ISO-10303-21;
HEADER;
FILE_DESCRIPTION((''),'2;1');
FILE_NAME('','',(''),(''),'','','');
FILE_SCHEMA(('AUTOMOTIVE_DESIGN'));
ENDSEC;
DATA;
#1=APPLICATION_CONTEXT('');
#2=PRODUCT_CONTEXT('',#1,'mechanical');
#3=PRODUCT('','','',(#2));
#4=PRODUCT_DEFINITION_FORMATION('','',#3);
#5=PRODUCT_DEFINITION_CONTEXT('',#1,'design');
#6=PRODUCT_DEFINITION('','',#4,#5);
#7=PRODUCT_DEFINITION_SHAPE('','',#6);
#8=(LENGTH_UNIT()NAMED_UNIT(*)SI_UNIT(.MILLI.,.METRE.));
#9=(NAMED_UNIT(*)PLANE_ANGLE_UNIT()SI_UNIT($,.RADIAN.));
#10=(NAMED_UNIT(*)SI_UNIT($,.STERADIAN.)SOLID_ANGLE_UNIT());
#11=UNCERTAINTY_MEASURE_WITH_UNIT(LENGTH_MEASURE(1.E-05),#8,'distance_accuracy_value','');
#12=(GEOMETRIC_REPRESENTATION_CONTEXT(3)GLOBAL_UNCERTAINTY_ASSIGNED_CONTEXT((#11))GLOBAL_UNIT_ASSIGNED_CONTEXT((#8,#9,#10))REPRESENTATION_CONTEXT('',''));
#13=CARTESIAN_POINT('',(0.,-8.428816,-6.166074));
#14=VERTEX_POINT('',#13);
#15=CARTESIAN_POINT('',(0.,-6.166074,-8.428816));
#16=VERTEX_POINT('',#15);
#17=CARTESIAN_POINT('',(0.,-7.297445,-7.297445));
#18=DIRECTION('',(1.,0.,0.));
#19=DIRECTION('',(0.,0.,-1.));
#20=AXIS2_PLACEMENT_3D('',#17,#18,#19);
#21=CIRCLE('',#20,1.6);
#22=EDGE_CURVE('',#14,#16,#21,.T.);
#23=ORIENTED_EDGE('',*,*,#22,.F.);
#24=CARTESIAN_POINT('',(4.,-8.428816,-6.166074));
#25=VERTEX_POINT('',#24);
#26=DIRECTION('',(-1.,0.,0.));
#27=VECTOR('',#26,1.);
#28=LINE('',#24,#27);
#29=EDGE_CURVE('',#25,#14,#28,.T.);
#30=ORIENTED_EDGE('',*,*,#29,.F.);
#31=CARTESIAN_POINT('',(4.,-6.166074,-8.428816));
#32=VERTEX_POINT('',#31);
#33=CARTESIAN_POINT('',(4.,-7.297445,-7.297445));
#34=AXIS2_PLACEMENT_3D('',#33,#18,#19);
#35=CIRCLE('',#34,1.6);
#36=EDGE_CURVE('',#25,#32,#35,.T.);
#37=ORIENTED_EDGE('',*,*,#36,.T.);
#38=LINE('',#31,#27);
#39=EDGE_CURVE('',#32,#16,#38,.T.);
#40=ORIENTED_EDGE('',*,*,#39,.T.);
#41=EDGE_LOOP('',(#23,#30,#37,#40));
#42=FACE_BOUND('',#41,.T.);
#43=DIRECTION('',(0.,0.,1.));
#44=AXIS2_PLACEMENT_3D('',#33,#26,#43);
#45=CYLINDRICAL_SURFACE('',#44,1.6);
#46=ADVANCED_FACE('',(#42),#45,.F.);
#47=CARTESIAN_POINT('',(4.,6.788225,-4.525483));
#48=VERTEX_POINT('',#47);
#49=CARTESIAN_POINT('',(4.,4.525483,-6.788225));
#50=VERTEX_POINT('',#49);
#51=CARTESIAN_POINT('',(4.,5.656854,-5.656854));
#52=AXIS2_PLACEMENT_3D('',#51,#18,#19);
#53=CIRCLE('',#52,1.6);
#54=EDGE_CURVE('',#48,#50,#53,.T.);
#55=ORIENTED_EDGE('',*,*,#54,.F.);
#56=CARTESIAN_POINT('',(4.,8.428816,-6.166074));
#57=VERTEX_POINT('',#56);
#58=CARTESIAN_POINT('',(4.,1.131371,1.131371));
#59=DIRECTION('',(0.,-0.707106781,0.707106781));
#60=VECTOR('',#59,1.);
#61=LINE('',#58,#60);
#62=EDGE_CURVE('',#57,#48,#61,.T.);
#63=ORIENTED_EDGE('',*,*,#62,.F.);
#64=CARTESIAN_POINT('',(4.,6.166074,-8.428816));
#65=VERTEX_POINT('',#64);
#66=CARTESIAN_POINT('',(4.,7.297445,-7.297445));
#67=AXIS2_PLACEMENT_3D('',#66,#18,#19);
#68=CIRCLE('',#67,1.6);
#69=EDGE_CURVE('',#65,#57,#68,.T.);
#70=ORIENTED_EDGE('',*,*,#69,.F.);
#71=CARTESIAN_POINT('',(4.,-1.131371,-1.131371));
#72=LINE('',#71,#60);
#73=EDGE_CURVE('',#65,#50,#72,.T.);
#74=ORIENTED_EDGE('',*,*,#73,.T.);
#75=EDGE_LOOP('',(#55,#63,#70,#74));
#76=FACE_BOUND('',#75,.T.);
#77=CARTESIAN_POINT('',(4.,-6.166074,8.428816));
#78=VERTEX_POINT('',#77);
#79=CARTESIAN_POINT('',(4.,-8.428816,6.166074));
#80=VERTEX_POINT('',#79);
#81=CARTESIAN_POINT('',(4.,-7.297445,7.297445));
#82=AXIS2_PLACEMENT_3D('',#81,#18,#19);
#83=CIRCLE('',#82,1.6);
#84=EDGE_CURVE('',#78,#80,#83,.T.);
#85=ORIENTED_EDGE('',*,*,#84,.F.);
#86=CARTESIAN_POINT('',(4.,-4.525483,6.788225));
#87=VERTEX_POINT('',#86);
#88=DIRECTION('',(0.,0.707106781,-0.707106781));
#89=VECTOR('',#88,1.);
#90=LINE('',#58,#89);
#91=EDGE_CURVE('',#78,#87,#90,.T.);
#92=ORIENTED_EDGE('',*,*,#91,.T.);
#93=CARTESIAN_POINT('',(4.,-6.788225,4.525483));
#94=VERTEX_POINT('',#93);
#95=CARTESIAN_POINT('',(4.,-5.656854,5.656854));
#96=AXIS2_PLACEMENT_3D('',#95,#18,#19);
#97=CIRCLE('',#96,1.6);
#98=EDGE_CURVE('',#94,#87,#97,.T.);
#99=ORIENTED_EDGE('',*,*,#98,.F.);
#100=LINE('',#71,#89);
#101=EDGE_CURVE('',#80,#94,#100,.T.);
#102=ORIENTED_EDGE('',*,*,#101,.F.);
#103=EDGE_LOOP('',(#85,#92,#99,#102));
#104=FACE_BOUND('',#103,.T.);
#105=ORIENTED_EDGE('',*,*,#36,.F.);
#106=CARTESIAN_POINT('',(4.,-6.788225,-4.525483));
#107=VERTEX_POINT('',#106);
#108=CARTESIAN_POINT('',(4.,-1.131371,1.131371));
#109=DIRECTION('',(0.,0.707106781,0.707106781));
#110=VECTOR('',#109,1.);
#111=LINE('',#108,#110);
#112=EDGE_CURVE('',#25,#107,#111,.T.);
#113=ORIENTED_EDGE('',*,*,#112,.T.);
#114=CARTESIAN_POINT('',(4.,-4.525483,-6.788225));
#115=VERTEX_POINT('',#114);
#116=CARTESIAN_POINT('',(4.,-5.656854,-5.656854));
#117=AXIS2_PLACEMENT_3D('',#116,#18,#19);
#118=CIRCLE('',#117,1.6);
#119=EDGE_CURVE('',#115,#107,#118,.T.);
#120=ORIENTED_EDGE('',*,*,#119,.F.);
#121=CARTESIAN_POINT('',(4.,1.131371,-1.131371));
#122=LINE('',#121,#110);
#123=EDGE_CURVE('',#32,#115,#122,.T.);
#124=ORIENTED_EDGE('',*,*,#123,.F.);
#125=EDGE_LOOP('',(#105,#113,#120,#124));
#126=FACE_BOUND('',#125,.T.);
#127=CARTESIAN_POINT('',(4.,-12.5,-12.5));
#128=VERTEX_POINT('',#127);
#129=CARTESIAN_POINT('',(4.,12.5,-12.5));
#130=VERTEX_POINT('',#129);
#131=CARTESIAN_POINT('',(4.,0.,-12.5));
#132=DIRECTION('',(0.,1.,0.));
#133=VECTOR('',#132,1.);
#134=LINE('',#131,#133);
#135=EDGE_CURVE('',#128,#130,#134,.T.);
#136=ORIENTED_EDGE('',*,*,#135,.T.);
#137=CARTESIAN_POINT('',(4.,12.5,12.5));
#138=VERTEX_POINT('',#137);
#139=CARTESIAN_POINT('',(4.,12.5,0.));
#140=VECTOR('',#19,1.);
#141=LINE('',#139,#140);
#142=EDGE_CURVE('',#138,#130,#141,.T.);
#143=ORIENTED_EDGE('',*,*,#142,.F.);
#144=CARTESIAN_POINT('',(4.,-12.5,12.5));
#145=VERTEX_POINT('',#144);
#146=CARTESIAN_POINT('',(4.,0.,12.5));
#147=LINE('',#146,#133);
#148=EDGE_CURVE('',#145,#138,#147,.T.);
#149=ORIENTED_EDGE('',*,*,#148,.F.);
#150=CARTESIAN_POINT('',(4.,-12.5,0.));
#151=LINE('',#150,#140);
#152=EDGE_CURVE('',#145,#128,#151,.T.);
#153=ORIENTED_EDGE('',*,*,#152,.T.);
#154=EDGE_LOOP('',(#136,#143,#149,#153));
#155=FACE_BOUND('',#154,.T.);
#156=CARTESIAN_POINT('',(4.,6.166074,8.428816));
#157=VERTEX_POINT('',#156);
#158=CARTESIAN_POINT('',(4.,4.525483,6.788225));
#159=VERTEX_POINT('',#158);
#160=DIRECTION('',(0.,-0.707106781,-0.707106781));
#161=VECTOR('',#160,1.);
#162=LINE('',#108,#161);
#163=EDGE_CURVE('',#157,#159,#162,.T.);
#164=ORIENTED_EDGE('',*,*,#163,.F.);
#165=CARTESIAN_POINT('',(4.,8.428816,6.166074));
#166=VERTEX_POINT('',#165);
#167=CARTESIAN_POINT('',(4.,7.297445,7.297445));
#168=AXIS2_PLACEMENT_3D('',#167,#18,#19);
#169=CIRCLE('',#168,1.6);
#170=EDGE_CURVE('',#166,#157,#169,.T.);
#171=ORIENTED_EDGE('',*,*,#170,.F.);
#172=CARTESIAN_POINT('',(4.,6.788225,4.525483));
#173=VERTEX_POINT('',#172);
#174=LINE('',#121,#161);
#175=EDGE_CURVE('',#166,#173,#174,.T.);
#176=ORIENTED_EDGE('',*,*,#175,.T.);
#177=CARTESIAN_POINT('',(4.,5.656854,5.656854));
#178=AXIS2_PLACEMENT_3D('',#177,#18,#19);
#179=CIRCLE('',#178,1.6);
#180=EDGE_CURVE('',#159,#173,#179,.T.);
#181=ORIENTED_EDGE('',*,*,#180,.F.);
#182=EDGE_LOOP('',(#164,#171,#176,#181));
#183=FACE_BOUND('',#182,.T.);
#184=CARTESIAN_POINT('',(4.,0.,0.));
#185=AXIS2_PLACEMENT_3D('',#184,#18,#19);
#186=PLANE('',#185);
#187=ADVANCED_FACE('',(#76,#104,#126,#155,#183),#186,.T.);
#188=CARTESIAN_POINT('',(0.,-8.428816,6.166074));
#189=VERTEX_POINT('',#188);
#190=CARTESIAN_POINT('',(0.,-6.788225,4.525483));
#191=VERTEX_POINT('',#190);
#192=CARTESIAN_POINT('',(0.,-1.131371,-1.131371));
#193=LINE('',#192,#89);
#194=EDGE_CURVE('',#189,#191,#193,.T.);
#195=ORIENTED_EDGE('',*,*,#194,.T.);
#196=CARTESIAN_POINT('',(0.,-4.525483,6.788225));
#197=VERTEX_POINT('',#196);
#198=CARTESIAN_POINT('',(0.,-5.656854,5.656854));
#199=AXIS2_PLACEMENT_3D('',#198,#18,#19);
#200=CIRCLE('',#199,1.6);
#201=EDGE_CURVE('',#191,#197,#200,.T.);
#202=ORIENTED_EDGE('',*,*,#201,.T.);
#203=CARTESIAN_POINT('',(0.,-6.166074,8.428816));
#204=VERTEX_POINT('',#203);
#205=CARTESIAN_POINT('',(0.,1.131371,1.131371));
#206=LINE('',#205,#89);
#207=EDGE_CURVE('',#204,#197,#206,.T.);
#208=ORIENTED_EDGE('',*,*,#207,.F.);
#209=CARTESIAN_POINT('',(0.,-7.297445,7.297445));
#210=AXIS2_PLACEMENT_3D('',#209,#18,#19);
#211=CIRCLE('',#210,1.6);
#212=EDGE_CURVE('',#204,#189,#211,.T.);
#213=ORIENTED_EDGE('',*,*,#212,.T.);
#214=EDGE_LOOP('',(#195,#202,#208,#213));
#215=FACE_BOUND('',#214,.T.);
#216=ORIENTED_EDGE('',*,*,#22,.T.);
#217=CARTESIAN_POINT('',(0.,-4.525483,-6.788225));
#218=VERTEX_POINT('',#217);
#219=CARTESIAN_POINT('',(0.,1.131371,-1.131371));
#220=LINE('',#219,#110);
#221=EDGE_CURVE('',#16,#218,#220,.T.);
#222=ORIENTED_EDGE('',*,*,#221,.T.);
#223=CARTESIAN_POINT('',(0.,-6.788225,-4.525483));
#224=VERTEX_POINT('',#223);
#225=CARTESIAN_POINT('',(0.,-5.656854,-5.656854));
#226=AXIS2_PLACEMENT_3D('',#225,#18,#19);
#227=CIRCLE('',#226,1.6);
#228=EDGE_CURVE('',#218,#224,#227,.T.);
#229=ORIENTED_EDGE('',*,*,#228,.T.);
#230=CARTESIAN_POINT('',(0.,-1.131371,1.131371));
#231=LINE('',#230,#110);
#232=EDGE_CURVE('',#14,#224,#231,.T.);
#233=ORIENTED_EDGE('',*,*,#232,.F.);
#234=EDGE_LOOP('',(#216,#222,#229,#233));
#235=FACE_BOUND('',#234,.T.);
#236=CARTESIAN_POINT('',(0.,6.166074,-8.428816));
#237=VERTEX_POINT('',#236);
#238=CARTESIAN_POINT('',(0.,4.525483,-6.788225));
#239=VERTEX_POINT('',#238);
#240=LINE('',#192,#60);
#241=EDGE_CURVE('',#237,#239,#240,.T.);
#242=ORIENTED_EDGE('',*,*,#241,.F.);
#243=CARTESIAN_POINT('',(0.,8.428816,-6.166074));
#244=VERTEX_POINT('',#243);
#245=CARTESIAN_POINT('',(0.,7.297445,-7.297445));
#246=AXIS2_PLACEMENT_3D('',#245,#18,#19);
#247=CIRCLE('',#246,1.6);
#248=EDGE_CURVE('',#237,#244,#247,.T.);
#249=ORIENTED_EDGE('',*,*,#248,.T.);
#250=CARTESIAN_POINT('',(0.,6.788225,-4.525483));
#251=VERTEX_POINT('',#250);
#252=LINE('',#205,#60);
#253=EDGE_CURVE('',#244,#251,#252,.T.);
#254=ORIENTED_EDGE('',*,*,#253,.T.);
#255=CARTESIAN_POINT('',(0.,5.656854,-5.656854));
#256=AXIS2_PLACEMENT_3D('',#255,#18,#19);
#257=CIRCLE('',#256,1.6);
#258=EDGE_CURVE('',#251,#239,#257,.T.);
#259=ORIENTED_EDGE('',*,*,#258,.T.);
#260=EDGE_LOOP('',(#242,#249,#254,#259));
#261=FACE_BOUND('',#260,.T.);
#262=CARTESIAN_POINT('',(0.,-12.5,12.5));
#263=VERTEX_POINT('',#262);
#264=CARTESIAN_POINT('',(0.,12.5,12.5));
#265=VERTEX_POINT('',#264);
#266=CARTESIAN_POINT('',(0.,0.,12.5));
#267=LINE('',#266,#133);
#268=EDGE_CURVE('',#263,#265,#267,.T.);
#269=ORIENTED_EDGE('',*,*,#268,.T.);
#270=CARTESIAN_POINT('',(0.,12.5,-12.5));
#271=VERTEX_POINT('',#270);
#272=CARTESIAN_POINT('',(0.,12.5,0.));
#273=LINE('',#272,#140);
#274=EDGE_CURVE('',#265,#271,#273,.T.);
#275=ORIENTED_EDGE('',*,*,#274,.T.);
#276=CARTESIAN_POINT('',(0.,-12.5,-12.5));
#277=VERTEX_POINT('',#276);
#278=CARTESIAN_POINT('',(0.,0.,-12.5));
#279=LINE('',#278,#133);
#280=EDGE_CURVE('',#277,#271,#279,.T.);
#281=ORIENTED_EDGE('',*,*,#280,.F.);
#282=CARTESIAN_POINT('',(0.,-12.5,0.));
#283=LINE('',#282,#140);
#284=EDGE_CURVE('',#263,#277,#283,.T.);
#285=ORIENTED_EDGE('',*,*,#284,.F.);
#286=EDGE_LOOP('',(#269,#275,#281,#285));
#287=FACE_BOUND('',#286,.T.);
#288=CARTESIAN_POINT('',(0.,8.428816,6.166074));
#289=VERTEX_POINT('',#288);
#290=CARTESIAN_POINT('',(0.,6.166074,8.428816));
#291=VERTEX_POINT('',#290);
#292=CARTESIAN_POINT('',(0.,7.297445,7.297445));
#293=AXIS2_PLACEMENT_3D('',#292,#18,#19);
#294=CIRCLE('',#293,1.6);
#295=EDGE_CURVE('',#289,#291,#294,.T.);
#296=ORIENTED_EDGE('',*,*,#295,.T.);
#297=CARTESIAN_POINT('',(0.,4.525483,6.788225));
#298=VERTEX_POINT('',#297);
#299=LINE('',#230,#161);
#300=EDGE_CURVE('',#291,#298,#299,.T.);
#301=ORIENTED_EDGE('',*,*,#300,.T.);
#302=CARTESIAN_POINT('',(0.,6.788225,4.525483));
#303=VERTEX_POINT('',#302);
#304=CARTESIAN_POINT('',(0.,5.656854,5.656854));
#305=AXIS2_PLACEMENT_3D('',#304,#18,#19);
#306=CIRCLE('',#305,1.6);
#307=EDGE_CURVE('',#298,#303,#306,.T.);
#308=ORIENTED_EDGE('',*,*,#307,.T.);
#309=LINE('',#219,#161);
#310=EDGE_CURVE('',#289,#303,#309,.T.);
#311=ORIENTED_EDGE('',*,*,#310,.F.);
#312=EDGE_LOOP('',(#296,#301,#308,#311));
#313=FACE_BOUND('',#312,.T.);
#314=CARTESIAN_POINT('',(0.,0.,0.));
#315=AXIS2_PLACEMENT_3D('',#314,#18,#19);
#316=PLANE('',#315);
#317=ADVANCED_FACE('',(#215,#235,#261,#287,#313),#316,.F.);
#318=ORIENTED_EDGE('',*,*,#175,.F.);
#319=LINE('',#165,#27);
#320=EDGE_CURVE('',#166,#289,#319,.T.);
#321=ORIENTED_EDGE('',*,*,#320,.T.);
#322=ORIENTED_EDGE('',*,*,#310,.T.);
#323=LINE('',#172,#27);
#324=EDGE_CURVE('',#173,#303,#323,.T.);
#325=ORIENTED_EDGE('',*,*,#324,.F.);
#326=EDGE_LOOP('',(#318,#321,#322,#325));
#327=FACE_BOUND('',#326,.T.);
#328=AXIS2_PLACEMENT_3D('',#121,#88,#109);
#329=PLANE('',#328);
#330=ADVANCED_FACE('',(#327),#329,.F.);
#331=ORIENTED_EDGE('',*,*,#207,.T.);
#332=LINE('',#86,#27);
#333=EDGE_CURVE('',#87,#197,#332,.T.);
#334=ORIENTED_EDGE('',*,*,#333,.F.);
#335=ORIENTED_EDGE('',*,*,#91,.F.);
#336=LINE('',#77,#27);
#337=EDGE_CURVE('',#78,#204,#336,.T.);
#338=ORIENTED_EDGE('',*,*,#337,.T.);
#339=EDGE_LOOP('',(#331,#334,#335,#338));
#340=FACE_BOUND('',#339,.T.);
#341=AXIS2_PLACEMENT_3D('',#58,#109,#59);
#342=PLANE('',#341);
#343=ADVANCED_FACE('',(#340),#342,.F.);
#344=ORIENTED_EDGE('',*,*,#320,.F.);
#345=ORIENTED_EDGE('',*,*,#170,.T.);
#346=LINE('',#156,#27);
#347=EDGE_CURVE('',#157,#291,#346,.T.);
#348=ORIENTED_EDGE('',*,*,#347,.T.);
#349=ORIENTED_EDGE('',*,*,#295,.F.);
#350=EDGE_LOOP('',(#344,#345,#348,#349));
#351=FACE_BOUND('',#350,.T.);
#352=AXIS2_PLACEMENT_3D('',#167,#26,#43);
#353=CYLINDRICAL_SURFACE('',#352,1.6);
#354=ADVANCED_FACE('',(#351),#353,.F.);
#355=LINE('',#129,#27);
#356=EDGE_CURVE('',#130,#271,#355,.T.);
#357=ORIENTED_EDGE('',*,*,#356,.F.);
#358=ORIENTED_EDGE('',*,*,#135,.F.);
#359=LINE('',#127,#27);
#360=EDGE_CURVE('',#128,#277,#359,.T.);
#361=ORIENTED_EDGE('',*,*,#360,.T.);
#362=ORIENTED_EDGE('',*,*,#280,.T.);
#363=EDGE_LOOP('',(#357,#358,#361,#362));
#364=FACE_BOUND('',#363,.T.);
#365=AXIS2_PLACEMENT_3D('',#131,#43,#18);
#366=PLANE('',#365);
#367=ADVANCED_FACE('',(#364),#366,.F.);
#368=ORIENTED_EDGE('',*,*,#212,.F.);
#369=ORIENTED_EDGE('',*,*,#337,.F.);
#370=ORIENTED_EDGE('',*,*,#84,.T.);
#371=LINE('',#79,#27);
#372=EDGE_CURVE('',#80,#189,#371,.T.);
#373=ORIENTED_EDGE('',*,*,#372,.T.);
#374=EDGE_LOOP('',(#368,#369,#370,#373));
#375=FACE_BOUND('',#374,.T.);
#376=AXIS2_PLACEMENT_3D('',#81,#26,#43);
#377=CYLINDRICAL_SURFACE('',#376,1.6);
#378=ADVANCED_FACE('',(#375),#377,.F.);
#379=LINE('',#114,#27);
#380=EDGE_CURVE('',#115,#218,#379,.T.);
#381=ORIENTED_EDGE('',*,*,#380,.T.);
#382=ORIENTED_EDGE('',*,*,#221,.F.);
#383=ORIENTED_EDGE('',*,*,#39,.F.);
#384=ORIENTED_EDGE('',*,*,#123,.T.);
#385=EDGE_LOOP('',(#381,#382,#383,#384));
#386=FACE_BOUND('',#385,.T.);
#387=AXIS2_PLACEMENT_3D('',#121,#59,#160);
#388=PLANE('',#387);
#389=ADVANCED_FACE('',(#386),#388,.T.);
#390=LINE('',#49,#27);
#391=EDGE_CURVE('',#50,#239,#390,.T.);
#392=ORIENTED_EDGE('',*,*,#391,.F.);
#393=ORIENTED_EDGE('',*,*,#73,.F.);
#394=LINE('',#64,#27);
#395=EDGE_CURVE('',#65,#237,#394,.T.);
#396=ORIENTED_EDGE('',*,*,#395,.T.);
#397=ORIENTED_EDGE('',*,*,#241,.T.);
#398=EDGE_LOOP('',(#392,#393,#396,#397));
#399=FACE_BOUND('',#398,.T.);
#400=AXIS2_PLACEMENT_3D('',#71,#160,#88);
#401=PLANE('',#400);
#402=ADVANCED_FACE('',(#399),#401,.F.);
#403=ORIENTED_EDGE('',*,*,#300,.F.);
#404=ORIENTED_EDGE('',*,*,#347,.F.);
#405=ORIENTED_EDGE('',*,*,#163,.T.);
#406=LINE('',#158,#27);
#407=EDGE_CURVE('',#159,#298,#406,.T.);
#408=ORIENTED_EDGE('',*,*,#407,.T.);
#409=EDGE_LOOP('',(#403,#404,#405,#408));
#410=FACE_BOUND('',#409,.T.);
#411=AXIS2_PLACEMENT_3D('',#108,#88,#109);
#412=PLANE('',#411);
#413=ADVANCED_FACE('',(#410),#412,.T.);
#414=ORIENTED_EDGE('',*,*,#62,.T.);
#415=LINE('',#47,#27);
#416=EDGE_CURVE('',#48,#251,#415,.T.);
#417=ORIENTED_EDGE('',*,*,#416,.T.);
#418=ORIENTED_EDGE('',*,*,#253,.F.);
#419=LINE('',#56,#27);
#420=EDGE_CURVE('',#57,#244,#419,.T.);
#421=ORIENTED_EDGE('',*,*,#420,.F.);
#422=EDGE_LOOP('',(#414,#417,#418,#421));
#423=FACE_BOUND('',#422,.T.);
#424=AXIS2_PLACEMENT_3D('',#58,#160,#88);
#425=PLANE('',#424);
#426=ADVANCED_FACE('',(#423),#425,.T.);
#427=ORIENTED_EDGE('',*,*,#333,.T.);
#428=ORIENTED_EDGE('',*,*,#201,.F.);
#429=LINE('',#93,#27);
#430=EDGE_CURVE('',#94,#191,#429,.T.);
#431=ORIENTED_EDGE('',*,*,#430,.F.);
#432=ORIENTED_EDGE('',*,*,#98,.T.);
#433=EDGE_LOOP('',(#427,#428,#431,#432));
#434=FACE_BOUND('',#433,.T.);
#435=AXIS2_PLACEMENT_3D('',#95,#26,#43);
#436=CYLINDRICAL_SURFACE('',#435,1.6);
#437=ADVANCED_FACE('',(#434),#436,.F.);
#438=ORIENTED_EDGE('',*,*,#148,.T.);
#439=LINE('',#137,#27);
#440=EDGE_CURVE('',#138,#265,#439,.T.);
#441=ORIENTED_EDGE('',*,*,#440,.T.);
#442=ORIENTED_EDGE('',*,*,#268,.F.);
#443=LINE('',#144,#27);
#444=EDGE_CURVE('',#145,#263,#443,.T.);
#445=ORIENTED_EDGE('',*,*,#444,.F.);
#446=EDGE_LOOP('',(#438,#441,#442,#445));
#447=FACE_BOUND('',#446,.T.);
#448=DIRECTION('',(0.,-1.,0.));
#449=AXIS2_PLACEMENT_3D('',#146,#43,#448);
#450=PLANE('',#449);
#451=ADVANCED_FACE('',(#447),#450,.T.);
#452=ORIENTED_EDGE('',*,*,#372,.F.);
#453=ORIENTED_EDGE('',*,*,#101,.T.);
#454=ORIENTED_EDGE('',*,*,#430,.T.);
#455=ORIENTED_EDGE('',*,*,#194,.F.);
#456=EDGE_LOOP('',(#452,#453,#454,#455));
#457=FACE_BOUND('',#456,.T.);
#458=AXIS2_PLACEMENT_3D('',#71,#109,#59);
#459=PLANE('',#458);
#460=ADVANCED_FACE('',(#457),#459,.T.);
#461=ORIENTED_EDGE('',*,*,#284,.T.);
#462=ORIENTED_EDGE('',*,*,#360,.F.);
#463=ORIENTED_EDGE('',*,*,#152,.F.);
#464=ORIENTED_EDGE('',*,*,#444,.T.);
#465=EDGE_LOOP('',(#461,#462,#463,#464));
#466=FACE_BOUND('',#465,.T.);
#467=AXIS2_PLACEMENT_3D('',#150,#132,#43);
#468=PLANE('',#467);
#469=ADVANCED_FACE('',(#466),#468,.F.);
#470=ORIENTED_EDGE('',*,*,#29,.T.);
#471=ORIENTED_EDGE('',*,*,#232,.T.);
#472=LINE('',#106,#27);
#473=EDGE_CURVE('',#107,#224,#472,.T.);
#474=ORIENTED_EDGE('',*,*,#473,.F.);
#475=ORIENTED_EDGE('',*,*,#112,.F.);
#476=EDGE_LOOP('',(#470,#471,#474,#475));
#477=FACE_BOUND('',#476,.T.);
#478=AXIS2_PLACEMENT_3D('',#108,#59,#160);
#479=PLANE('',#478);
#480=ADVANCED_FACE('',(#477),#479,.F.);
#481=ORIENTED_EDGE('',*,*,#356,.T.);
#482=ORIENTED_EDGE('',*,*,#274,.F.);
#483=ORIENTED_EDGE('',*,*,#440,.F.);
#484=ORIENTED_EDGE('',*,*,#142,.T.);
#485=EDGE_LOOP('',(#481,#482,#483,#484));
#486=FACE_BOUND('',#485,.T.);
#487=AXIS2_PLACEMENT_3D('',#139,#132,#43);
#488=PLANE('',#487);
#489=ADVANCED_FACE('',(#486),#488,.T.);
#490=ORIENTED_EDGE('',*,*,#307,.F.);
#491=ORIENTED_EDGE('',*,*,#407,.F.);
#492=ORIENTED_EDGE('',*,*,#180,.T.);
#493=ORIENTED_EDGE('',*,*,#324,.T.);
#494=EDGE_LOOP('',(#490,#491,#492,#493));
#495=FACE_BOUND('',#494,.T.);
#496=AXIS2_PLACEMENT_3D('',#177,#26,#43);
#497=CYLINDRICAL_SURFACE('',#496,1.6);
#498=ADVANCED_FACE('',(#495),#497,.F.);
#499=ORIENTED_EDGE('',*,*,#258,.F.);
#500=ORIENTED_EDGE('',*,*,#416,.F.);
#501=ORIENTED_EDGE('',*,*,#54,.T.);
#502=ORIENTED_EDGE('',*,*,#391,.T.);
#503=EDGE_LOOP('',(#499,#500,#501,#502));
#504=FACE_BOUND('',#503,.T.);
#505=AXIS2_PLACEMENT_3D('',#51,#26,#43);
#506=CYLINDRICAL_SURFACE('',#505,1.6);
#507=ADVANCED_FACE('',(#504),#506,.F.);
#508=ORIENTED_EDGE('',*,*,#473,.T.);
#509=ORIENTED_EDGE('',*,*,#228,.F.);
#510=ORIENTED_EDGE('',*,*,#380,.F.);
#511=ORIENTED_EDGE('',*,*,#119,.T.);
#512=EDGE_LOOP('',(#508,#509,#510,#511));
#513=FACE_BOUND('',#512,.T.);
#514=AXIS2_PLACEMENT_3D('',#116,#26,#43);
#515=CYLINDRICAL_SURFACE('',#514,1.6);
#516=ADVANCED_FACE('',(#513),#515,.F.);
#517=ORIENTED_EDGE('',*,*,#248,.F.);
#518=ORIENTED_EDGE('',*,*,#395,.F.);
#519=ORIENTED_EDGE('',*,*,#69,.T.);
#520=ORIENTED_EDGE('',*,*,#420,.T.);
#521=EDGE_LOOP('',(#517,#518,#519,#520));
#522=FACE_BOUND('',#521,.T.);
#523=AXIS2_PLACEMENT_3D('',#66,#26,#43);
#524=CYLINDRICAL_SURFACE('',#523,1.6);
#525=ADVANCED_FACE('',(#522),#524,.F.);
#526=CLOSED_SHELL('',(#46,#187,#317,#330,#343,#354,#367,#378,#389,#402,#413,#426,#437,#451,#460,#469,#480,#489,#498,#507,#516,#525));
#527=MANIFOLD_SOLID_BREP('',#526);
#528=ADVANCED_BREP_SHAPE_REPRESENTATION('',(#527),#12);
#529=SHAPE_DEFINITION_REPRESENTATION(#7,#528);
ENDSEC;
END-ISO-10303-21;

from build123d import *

# Parameters (mm, degrees)
SKETCH2_W           = 25
SKETCH2_H           = 25
BOSS_EXTRUDE1_DEPTH = 4


with BuildPart() as part:
    # Sketch2 → Boss-Extrude1 (new body)
    with BuildSketch(Plane(origin=(0, 0, 0), x_dir=(0, 0, -1), z_dir=(1, 0, 0))):
        Rectangle(SKETCH2_W, SKETCH2_H)
        with BuildLine():
            Line((-4.5254834, -6.788225099), (-6.166074019, -8.428815718))
            ThreePointArc((-6.166074019, -8.428815718), (-8.428815718, -8.428815718), (-8.428815718, -6.166074019))
            Line((-8.428815718, -6.166074019), (-6.788225099, -4.5254834))
            ThreePointArc((-6.788225099, -4.5254834), (-4.5254834, -4.5254834), (-4.5254834, -6.788225099))
        make_face(mode=Mode.SUBTRACT)
        with BuildLine():
            Line((6.788225099, -4.5254834), (8.428815718, -6.166074019))
            ThreePointArc((8.428815718, -6.166074019), (8.428815718, -8.428815718), (6.166074019, -8.428815718))
            Line((6.166074019, -8.428815718), (4.5254834, -6.788225099))
            ThreePointArc((4.5254834, -6.788225099), (4.5254834, -4.5254834), (6.788225099, -4.5254834))
        make_face(mode=Mode.SUBTRACT)
        with BuildLine():
            Line((-6.788225099, 4.5254834), (-8.428815718, 6.166074019))
            ThreePointArc((-8.428815718, 6.166074019), (-8.428815718, 8.428815718), (-6.166074019, 8.428815718))
            Line((-6.166074019, 8.428815718), (-4.5254834, 6.788225099))
            ThreePointArc((-4.5254834, 6.788225099), (-4.5254834, 4.5254834), (-6.788225099, 4.5254834))
        make_face(mode=Mode.SUBTRACT)
        with BuildLine():
            Line((4.5254834, 6.788225099), (6.166074019, 8.428815718))
            ThreePointArc((6.166074019, 8.428815718), (8.428815718, 8.428815718), (8.428815718, 6.166074019))
            Line((8.428815718, 6.166074019), (6.788225099, 4.5254834))
            ThreePointArc((6.788225099, 4.5254834), (4.5254834, 4.5254834), (4.5254834, 6.788225099))
        make_face(mode=Mode.SUBTRACT)
    extrude(amount=BOSS_EXTRUDE1_DEPTH)


solid = part.part
